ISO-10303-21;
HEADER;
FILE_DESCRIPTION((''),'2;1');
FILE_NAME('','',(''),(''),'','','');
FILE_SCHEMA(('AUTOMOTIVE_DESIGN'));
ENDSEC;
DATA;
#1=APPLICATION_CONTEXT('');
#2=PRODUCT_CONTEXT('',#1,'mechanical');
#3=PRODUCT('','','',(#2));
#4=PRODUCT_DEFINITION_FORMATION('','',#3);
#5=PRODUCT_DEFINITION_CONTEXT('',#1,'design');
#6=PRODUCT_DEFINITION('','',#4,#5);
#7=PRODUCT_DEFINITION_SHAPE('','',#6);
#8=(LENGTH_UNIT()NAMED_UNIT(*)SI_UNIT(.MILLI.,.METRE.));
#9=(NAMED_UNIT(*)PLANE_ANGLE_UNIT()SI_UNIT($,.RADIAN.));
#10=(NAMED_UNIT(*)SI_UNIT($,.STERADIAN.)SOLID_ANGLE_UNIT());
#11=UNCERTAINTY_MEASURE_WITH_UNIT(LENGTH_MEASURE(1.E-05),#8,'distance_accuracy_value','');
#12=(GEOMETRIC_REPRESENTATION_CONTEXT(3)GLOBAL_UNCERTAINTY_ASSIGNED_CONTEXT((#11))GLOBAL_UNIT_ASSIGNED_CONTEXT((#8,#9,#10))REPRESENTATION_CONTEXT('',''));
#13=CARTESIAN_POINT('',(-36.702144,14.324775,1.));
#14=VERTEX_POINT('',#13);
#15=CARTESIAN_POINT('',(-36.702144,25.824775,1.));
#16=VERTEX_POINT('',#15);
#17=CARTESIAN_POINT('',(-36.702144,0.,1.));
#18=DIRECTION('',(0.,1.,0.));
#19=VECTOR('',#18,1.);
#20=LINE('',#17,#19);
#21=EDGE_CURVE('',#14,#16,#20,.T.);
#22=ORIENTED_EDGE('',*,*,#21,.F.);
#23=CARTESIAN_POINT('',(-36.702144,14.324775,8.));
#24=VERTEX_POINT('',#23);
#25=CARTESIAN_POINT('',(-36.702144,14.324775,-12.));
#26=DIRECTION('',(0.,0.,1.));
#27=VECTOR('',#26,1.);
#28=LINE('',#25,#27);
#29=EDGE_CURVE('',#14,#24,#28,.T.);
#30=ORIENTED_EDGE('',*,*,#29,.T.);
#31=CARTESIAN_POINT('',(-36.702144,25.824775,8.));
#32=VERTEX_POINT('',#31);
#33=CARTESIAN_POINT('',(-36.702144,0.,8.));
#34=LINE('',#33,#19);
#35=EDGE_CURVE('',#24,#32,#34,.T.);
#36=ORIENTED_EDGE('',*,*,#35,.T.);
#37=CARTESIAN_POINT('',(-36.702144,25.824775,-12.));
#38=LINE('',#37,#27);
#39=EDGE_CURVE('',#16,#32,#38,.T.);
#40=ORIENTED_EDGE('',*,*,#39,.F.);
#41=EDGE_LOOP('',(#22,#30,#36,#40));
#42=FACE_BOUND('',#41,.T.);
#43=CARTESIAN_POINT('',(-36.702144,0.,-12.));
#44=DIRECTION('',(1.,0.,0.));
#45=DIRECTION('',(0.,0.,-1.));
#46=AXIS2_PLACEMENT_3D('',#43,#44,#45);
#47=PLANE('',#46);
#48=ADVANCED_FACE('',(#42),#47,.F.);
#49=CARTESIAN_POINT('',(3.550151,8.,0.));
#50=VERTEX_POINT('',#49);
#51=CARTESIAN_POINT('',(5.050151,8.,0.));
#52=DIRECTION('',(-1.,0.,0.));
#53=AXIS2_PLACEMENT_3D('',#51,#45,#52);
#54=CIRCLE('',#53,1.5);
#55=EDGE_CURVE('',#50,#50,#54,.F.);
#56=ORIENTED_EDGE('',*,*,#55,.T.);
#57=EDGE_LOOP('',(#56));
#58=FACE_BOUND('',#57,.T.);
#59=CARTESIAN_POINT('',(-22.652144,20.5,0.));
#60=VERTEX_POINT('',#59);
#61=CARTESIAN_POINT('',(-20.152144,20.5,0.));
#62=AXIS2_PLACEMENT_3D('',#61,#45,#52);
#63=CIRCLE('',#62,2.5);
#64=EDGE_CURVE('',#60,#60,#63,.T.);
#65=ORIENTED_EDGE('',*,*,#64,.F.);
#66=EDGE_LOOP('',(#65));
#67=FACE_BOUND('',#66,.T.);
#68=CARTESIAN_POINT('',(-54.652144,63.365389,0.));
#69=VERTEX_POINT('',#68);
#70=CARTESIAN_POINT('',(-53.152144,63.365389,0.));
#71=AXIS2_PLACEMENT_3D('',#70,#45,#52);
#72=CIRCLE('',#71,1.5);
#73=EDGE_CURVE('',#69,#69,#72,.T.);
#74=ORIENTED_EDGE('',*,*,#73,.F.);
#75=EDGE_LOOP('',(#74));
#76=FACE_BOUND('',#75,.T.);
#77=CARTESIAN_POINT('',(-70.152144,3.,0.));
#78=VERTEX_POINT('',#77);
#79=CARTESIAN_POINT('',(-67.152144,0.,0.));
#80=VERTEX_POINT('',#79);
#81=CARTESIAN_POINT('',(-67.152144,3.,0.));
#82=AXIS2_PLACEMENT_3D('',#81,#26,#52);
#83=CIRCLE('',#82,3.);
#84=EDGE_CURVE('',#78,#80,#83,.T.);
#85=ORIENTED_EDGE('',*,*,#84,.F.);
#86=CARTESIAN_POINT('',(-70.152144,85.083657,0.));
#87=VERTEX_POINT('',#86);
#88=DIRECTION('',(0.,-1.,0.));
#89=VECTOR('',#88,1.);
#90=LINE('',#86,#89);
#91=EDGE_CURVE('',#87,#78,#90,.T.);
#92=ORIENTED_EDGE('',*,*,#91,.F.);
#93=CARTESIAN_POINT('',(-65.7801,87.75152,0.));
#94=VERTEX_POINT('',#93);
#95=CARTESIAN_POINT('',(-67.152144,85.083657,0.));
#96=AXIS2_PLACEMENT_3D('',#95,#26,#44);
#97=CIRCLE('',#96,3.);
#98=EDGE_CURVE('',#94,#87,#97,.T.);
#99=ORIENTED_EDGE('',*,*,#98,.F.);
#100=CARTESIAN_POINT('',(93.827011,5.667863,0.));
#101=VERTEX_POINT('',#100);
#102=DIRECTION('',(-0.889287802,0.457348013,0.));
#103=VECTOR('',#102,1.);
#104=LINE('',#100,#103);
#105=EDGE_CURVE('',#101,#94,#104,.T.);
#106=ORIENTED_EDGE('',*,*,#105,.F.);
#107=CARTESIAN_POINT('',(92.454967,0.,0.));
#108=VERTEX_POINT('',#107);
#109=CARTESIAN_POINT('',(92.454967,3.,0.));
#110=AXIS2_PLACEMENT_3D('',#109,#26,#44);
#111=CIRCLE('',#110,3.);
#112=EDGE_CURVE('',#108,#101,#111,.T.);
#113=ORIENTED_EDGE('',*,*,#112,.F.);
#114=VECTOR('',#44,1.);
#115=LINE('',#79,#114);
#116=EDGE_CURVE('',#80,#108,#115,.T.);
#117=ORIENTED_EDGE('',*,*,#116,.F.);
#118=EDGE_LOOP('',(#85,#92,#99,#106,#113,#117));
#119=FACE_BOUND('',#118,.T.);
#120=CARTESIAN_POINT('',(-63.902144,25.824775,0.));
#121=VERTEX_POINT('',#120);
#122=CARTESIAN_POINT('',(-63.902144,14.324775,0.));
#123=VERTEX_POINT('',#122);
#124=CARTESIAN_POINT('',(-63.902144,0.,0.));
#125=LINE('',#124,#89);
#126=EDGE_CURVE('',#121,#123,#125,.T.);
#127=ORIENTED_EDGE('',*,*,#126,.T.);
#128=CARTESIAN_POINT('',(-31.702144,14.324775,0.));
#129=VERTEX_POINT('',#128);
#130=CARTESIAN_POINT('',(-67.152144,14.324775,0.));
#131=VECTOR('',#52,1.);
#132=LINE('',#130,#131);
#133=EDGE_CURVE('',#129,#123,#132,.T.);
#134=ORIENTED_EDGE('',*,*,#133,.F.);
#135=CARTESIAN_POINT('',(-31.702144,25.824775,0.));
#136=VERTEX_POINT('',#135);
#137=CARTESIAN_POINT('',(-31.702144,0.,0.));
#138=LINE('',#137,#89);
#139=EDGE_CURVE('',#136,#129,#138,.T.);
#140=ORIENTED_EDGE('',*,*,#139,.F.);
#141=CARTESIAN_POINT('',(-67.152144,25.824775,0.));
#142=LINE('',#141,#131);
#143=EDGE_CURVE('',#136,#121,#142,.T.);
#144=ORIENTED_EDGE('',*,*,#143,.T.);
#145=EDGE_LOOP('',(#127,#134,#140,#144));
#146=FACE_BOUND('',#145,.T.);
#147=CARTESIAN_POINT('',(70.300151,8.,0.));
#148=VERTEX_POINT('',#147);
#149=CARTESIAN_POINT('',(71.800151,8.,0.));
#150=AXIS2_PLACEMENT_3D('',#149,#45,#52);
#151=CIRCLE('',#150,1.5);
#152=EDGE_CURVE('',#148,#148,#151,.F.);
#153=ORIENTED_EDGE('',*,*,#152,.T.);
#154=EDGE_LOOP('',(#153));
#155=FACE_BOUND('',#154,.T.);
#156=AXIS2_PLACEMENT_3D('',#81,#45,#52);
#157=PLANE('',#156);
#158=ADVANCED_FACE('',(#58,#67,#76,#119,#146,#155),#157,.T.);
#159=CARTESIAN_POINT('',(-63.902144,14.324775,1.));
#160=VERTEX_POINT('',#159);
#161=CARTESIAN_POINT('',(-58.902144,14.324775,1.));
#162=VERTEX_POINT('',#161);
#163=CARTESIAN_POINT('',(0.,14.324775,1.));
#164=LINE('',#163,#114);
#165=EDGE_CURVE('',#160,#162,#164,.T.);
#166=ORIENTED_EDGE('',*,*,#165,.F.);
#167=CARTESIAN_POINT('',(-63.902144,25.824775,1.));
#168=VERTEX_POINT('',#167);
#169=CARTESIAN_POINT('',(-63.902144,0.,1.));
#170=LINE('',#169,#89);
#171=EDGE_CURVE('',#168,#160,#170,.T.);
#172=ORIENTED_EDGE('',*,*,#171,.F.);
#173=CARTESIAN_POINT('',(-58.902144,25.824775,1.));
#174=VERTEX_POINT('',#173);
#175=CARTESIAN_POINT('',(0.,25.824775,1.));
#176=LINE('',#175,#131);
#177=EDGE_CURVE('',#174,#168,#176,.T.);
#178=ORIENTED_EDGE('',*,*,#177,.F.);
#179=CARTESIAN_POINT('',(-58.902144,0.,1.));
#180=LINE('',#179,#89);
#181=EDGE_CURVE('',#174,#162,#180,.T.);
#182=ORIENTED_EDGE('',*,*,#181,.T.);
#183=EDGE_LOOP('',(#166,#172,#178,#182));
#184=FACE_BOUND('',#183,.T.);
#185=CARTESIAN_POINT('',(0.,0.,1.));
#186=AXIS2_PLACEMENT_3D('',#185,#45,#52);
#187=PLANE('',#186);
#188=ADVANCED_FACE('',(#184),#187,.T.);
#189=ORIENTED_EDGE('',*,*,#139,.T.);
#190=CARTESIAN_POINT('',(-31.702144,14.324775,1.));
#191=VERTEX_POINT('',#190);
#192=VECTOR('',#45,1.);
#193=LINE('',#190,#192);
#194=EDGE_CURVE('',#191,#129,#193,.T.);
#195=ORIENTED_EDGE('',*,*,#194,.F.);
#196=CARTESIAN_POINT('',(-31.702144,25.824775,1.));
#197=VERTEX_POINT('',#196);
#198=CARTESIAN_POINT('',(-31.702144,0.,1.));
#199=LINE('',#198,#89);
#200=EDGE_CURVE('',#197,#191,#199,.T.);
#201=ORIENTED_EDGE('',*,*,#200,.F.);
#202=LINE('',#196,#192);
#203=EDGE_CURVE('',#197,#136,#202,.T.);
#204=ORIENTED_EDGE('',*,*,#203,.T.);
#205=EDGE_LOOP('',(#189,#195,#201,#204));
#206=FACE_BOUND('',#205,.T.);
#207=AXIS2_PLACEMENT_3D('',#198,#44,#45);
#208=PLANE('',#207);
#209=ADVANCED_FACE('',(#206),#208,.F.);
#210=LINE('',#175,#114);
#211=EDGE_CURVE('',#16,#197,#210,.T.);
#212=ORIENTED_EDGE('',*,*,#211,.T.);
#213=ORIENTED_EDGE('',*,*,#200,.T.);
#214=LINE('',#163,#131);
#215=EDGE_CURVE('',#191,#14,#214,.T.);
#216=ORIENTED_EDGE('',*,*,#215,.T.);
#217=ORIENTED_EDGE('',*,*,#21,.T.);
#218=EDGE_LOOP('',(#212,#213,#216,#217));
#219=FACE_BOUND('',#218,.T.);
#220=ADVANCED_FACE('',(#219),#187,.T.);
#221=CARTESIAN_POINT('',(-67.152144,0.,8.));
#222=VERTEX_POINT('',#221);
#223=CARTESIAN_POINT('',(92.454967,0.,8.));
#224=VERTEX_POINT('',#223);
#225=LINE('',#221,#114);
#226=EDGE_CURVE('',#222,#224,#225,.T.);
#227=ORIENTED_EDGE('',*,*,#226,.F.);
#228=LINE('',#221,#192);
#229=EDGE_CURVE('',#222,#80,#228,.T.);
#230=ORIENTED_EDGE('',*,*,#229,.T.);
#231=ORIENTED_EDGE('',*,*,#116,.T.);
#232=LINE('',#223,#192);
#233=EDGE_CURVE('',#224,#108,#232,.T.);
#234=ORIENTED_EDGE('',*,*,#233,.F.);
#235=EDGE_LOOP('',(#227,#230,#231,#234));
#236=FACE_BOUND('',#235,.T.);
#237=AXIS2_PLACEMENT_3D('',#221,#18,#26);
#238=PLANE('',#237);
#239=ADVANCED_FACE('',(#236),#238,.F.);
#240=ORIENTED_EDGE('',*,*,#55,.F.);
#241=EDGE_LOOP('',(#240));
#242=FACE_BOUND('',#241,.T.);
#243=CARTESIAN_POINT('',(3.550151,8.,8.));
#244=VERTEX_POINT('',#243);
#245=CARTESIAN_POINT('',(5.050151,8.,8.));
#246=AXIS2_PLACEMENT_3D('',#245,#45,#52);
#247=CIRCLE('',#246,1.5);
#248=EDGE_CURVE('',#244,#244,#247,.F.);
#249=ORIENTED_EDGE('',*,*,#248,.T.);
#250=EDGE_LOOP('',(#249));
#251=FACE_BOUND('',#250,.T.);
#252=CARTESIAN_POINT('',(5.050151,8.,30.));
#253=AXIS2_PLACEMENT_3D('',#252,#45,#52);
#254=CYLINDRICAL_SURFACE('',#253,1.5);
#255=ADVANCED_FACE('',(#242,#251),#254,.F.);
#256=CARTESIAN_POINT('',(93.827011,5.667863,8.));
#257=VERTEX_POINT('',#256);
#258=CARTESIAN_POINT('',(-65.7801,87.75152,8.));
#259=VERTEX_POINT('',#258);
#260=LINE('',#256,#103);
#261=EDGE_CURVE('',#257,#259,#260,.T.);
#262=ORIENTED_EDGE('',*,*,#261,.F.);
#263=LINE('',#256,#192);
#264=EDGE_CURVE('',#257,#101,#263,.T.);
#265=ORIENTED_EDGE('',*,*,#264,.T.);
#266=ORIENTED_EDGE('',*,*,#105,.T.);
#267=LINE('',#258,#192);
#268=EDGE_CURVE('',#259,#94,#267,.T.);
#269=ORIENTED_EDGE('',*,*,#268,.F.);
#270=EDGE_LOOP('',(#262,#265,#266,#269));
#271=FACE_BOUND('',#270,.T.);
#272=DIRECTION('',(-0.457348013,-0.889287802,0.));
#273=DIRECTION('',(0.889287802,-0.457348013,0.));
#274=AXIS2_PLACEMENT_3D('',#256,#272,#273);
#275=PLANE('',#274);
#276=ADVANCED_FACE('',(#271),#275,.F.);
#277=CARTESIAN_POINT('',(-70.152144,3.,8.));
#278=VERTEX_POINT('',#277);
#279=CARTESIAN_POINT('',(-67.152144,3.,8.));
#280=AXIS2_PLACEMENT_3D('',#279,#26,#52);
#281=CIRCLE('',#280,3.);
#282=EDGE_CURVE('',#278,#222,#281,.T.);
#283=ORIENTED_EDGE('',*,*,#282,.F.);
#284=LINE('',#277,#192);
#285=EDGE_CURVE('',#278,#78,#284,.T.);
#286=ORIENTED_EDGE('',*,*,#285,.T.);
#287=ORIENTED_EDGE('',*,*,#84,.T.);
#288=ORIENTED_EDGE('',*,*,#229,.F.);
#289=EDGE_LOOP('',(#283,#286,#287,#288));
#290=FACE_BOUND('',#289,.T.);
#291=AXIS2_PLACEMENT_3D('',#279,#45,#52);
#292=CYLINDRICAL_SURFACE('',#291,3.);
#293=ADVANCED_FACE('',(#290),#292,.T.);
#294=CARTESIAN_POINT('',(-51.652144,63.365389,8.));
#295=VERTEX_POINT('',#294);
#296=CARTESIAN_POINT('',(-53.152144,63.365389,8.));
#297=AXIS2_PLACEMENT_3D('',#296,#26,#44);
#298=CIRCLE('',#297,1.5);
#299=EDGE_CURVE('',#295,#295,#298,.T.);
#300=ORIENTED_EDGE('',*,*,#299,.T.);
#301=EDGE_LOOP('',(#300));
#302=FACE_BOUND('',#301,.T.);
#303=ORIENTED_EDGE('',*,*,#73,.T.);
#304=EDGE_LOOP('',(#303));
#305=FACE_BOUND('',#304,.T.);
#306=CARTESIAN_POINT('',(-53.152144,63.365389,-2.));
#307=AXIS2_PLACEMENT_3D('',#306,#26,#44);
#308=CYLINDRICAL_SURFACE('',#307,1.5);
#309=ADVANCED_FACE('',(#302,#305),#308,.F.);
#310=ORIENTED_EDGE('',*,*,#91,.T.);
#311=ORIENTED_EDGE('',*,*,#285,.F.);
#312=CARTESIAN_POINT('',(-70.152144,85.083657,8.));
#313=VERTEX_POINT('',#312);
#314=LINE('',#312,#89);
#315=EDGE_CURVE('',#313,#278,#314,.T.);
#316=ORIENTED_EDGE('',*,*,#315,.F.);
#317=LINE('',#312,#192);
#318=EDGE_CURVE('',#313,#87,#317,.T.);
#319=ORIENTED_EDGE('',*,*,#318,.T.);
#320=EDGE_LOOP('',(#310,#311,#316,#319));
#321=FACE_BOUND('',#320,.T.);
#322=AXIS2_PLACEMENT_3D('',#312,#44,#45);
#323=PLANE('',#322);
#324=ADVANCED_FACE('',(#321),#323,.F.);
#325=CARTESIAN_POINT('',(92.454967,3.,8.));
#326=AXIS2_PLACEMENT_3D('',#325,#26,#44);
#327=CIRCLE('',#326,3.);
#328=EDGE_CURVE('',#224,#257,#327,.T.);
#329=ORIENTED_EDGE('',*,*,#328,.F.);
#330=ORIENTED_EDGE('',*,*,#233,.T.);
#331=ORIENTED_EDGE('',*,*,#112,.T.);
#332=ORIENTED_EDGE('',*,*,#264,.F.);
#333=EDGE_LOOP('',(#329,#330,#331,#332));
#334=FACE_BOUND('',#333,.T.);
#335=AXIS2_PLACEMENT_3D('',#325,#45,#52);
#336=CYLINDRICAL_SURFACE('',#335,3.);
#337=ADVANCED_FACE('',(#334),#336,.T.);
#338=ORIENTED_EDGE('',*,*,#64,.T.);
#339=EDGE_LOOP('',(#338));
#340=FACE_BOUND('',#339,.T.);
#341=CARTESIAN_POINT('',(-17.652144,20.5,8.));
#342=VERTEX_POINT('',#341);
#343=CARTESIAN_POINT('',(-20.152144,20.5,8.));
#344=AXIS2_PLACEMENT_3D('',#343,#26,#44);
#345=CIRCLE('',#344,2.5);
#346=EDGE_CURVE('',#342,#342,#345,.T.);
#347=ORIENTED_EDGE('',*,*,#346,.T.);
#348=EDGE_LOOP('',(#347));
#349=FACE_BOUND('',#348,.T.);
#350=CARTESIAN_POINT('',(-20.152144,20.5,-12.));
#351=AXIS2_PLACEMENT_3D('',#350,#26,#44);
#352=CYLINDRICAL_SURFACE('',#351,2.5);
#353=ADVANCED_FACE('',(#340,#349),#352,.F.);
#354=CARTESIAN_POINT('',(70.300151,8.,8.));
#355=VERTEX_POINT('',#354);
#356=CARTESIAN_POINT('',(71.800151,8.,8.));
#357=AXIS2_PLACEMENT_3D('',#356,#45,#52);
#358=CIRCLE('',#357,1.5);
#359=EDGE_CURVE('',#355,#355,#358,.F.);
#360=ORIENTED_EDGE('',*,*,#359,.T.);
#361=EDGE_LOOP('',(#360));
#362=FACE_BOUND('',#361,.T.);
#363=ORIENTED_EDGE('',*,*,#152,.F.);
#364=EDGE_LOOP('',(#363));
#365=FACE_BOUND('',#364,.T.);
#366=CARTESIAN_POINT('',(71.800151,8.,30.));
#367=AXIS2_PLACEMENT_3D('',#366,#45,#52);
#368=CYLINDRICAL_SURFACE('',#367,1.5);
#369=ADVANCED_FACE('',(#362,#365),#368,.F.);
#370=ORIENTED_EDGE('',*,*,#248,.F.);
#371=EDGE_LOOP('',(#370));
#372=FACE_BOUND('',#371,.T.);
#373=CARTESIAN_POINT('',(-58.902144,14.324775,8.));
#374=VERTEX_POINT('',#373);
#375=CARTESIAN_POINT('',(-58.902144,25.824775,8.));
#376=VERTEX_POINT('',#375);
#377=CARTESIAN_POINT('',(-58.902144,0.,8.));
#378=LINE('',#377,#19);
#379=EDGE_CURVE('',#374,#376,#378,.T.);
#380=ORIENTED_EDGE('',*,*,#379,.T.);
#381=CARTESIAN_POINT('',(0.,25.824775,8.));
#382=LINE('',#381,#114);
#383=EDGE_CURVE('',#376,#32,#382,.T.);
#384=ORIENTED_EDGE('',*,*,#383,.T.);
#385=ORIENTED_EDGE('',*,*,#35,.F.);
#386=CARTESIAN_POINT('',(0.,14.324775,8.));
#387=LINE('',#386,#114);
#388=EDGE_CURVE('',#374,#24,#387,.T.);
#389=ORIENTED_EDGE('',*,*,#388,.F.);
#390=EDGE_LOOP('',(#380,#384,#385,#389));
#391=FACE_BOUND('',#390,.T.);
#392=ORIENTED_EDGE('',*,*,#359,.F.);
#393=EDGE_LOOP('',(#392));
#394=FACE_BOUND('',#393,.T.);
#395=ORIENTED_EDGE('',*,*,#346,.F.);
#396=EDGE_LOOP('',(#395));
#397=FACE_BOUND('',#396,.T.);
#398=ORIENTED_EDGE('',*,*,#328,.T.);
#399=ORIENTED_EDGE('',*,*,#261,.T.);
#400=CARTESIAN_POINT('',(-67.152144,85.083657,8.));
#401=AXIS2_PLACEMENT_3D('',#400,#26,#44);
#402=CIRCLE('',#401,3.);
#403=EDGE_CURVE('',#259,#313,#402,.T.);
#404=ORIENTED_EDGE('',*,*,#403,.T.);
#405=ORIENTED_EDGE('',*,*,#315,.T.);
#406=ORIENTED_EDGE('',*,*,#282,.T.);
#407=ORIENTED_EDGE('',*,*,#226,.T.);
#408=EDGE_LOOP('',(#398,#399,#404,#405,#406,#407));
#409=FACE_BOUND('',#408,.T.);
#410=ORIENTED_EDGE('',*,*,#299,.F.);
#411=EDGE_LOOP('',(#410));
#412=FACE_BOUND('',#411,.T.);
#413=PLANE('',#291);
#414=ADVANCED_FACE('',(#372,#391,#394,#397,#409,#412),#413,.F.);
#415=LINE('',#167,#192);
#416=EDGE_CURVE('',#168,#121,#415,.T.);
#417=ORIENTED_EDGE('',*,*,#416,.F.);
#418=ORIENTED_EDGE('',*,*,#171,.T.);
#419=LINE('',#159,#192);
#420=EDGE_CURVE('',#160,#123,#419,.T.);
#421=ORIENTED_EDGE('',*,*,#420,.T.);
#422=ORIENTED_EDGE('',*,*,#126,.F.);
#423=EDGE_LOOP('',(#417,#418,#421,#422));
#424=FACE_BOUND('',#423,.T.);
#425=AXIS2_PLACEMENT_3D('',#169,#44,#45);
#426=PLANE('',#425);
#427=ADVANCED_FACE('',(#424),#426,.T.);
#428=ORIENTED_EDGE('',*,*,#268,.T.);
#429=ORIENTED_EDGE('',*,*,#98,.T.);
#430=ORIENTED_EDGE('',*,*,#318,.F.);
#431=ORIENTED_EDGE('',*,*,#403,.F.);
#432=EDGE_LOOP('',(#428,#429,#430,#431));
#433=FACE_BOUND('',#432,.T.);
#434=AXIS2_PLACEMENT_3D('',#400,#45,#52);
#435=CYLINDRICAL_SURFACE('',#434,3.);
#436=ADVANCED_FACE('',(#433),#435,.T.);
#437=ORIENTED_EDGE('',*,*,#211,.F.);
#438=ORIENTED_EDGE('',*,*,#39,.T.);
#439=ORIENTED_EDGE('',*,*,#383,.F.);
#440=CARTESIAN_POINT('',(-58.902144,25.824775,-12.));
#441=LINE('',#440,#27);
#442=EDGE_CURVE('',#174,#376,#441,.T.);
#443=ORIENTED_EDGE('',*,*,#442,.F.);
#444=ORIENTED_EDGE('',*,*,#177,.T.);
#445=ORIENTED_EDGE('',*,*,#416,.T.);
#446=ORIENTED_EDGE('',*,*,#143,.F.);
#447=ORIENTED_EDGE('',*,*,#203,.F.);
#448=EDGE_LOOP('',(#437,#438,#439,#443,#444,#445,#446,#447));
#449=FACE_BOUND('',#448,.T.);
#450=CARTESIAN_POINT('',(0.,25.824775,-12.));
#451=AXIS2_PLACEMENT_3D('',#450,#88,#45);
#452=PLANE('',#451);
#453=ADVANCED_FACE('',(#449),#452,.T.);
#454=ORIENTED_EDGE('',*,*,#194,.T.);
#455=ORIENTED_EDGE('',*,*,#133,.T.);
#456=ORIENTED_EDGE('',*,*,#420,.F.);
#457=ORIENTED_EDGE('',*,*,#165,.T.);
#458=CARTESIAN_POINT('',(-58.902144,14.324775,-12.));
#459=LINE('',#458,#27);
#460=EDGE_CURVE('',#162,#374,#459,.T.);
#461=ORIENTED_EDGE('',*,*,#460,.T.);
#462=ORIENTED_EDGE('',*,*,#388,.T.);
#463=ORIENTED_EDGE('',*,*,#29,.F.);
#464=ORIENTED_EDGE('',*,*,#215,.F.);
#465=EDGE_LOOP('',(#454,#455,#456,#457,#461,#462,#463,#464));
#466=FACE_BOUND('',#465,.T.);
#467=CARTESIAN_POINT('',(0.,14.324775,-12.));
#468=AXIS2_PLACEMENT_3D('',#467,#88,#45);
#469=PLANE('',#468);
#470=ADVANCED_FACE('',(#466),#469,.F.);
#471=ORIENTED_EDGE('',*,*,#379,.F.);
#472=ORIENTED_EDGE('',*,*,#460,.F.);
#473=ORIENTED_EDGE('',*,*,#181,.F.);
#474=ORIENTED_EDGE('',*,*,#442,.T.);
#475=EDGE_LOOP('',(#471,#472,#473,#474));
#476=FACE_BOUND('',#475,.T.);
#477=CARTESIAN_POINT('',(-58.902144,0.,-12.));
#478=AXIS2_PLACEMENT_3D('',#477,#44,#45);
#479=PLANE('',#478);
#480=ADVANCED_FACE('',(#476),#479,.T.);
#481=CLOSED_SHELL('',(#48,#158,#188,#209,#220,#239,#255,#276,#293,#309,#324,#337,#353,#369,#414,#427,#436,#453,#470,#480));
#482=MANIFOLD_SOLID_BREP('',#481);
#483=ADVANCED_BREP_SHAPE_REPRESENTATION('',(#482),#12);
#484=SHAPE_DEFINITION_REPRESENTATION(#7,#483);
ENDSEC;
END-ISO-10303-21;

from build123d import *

# Parameters (mm, degrees)
BOSS_EXTRUDE1_DEPTH     = 8
CUT_EXTRUDE6_DEPTH      = 30
CUT_EXTRUDE6_DEPTH_BACK = 30
SKETCH3_R               = 1.5
SKETCH8_W               = 22.2
SKETCH8_H               = 11.5
CUT_EXTRUDE9_DEPTH      = 20
SKETCH11_W              = 5
SKETCH11_H              = 11.5
CUT_EXTRUDE10_DEPTH     = 1
SKETCH8_6_R             = 1.5
CUT_EXTRUDE11_DEPTH     = 10
SKETCH12_R              = 2.5
CUT_EXTRUDE12_DEPTH     = 20


with BuildPart() as part:
    # Sketch1 → Boss-Extrude1 (new body)
    with BuildSketch(Plane.XY):
        with BuildLine():
            Line((-67.152143845, 0), (92.454966604, 0))
            ThreePointArc((92.454966604, 0), (95.370750394, 2.294163695), (93.827010641, 5.667863407))
            Line((93.827010641, 5.667863407), (-65.780099807, 87.751520209))
            ThreePointArc((-65.780099807, 87.751520209), (-68.714812698, 87.64452893), (-70.152143845, 85.083656802))
            Line((-70.152143845, 85.083656802), (-70.152143845, 3))
            ThreePointArc((-70.152143845, 3), (-69.273464189, 0.878679656), (-67.152143845, 0))
        make_face()
    extrude(amount=BOSS_EXTRUDE1_DEPTH)

    # Sketch3 → Cut-Extrude6 (cut, two sides: drawn at the far end of the back side and taken through both)
    with BuildSketch(Plane.XY.offset(-CUT_EXTRUDE6_DEPTH_BACK)):
        with Locations((71.800150685, 8)):
            Circle(SKETCH3_R)
        with Locations((5.050150685, 8)):
            Circle(SKETCH3_R)
    extrude(amount=CUT_EXTRUDE6_DEPTH + CUT_EXTRUDE6_DEPTH_BACK, mode=Mode.SUBTRACT)

    # Sketch8 → Cut-Extrude9 (cut)
    with BuildSketch(Plane.XY.offset(8)):
        with Locations((-47.802143845, 20.074774739)):
            Rectangle(SKETCH8_W, SKETCH8_H)
    extrude(amount=-CUT_EXTRUDE9_DEPTH, mode=Mode.SUBTRACT)

    # Sketch11 → Cut-Extrude10 (cut)
    with BuildSketch(Plane(origin=(0, 0, 0), x_dir=(-1, 0, 0), z_dir=(0, 0, -1))):
        with Locations((61.402143845, 20.074774739)):
            Rectangle(SKETCH11_W, SKETCH11_H)
        with Locations((34.202143845, 20.074774739)):
            Rectangle(SKETCH11_W, SKETCH11_H)
    extrude(amount=-CUT_EXTRUDE10_DEPTH, mode=Mode.SUBTRACT)

    # Sketch8<6> → Cut-Extrude11 (cut)
    with BuildSketch(Plane.XY.offset(8)):
        with Locations((-53.152143845, 63.365389143)):
            Circle(SKETCH8_6_R)
    extrude(amount=-CUT_EXTRUDE11_DEPTH, mode=Mode.SUBTRACT)

    # Sketch12 → Cut-Extrude12 (cut)
    with BuildSketch(Plane.XY.offset(8)):
        with Locations((-20.152143845, 20.5)):
            Circle(SKETCH12_R)
    extrude(amount=-CUT_EXTRUDE12_DEPTH, mode=Mode.SUBTRACT)


solid = part.part
